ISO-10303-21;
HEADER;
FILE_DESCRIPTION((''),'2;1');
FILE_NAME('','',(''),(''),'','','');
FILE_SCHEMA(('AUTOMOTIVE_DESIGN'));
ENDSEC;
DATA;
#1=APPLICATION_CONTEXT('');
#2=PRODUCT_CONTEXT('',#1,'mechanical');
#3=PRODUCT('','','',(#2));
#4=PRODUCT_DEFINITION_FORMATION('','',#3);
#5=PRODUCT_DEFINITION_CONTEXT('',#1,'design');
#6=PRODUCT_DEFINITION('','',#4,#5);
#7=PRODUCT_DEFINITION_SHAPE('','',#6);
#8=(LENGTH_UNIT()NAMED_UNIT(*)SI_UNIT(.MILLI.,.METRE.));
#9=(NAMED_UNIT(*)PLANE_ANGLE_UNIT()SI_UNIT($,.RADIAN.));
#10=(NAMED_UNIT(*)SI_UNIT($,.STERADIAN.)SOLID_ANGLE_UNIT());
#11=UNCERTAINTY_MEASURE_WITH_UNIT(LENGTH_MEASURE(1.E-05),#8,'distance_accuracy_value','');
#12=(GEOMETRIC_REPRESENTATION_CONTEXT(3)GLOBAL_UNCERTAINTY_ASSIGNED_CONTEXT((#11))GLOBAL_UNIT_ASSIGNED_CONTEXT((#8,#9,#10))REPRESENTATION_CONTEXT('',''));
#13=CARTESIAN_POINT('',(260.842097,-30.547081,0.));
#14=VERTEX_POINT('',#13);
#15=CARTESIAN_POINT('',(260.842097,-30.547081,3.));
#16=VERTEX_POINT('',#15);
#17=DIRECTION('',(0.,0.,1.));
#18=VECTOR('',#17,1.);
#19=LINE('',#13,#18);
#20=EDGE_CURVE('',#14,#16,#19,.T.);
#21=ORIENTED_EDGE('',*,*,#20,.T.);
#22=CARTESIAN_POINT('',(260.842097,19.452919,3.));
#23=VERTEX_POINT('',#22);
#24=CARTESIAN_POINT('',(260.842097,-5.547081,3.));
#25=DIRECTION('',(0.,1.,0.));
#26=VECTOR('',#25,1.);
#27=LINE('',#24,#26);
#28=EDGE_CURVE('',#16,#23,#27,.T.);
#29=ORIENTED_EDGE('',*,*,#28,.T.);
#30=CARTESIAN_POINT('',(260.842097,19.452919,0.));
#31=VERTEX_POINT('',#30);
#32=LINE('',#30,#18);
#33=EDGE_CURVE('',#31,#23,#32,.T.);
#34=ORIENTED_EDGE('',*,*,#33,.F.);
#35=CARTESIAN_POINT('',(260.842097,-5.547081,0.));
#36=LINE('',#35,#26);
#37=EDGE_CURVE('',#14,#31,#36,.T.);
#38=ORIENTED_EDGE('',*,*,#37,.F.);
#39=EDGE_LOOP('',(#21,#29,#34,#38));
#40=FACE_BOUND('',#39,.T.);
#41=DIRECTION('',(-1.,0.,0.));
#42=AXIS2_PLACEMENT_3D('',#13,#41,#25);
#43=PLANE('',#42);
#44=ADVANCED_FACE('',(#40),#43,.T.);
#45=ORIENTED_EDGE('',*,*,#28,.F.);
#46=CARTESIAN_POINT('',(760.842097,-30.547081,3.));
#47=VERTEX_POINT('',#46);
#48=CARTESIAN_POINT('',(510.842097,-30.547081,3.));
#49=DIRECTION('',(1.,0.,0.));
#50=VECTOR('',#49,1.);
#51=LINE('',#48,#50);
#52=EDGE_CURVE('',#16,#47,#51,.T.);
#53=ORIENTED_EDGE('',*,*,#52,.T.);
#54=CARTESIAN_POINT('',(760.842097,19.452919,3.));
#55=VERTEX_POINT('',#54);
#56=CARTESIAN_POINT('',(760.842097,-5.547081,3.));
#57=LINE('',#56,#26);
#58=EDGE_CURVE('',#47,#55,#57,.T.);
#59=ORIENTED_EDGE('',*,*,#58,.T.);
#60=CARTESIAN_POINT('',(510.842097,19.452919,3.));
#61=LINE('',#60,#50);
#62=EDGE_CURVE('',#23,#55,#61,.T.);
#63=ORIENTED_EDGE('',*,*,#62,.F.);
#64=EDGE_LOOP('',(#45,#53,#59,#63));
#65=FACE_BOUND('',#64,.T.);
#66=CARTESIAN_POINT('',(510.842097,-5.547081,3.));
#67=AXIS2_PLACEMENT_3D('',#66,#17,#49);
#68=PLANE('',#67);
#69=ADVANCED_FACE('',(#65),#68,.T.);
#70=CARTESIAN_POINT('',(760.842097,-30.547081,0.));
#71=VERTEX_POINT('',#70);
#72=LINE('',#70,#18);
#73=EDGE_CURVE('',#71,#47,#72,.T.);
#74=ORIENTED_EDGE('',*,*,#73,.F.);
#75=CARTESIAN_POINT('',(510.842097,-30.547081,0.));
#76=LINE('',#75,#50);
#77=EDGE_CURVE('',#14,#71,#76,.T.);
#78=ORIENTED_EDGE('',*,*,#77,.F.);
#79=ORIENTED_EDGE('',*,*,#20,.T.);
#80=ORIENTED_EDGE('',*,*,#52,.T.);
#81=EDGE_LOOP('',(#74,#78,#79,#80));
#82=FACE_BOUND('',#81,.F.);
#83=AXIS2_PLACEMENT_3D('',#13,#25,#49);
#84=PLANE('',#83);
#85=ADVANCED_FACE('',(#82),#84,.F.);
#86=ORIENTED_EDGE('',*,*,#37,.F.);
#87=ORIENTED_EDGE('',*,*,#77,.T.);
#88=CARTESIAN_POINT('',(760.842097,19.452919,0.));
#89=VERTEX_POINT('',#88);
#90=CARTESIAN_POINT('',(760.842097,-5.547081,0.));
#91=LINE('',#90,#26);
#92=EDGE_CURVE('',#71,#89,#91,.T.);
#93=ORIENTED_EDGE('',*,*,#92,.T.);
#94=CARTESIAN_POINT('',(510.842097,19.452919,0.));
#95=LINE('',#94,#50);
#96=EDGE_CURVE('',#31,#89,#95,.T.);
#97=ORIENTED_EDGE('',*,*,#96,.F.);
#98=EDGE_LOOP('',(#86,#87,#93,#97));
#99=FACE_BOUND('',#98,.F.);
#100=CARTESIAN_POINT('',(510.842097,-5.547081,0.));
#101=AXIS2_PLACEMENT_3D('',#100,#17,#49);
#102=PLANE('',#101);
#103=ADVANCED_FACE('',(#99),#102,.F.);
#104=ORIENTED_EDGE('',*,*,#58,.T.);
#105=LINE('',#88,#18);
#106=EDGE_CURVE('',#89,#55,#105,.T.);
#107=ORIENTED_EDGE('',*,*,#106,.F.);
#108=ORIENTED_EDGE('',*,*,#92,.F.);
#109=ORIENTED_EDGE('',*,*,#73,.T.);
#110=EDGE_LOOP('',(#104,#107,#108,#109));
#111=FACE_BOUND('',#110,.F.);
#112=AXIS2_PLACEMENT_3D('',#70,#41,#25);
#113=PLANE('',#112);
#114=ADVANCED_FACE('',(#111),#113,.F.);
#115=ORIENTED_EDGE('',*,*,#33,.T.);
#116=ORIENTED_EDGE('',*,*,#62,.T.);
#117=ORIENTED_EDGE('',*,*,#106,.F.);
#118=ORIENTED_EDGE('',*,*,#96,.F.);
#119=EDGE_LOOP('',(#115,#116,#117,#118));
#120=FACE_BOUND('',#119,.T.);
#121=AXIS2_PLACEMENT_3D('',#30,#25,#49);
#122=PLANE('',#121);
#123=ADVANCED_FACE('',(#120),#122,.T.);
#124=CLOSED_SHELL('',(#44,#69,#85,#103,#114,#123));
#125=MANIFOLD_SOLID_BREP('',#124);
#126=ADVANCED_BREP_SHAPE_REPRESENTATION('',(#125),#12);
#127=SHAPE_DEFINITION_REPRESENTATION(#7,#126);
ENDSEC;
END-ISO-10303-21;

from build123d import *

# Parameters (mm, degrees)
ESQUISSE1_W        = 500
ESQUISSE1_H        = 50
BOSS_EXTRU_1_DEPTH = 3


with BuildPart() as part:
    # Esquisse1 → Boss.-Extru.1 (new body)
    with BuildSketch(Plane.XY):
        with Locations((510.84209689, -5.547081218)):
            Rectangle(ESQUISSE1_W, ESQUISSE1_H)
    extrude(amount=BOSS_EXTRU_1_DEPTH)


solid = part.part
